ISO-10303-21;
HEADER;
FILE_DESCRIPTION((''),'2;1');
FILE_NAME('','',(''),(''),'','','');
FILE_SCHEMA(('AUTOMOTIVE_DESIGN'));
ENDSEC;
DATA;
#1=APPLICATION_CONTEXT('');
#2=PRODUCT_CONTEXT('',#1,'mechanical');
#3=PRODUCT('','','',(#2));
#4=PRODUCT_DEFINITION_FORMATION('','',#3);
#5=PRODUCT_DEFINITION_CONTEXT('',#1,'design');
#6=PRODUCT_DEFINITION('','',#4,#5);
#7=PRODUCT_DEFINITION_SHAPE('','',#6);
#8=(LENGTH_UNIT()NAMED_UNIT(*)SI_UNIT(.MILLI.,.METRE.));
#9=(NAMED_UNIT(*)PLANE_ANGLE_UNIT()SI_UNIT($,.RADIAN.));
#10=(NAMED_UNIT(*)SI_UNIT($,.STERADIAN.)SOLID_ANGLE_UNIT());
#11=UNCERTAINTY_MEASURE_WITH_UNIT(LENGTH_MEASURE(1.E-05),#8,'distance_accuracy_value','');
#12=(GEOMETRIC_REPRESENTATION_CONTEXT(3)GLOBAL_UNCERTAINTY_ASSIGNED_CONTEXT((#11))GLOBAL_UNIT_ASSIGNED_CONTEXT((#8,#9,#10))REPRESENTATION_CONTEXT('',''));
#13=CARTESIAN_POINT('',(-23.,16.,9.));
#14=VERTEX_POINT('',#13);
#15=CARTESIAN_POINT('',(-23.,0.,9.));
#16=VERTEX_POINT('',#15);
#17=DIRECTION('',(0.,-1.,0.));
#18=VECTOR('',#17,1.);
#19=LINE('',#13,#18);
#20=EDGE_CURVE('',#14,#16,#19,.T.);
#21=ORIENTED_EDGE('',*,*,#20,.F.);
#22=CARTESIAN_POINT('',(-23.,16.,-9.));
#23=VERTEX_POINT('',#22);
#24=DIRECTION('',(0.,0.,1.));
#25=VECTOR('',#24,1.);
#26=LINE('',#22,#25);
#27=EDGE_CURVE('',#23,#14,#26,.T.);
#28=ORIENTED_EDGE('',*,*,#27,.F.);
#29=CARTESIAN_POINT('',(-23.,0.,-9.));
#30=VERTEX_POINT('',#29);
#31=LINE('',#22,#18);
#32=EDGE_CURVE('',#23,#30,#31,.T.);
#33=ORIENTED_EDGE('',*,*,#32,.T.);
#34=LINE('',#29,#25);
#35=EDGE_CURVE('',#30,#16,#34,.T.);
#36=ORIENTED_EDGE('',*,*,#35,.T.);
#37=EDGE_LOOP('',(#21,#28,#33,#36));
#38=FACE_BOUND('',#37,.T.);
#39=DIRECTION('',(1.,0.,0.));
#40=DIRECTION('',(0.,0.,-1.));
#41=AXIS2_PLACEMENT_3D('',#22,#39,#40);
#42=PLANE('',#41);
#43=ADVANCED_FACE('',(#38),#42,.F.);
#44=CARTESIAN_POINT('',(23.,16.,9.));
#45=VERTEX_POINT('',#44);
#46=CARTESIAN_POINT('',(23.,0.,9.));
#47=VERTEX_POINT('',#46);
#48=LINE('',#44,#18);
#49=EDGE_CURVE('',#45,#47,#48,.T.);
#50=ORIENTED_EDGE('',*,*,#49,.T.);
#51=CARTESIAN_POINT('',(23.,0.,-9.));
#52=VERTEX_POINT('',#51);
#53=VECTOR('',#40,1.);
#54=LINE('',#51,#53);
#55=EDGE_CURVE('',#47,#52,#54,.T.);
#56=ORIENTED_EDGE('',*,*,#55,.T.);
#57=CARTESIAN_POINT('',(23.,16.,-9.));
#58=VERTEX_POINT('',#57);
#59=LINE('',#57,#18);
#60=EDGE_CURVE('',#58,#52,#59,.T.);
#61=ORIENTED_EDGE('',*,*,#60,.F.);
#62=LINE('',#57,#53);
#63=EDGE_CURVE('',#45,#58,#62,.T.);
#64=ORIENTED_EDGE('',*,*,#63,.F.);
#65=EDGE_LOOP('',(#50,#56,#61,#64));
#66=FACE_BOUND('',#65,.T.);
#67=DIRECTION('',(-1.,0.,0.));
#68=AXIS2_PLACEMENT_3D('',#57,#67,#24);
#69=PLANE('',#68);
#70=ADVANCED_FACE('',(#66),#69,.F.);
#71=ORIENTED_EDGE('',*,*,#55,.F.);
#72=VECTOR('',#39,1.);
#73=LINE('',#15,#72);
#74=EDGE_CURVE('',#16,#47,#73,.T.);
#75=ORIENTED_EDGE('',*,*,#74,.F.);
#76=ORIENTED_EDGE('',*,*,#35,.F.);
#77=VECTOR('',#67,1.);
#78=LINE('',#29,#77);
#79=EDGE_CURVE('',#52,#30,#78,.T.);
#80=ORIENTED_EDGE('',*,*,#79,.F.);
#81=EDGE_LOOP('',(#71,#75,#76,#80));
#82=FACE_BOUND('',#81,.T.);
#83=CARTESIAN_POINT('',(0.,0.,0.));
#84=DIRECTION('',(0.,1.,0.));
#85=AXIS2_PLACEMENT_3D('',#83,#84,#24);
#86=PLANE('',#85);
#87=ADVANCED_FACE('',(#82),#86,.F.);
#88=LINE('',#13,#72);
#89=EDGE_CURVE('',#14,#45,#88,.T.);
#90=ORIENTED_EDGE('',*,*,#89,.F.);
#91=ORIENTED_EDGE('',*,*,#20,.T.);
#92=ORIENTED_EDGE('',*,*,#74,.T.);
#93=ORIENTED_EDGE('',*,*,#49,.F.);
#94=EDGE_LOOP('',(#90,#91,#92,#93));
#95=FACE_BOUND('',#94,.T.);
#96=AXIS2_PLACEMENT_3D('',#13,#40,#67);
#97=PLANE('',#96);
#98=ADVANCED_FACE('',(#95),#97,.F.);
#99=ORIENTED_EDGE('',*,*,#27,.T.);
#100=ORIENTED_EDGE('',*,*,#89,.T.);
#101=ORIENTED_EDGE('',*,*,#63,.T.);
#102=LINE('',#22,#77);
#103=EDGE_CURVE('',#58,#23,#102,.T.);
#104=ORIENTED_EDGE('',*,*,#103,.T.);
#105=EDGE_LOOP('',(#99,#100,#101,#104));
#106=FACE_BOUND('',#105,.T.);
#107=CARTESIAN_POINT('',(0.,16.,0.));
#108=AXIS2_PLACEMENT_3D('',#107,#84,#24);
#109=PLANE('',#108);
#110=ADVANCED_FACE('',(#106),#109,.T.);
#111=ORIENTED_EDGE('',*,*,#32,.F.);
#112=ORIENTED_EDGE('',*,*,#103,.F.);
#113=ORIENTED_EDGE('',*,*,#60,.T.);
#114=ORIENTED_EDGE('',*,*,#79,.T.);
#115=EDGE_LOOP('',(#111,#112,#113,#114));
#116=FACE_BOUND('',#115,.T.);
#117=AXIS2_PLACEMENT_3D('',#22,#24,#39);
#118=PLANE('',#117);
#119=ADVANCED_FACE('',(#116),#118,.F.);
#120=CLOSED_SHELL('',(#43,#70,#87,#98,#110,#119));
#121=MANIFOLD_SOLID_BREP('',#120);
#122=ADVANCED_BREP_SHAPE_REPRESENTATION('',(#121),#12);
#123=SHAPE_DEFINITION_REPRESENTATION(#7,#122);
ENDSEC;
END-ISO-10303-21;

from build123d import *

# Parameters (mm, degrees)
SKETCH_1_W      = 46
SKETCH_1_H      = 18
EXTRUDE_1_DEPTH = 16


with BuildPart() as part:
    # 草图1 → 凸台-拉伸1 (new body)
    with BuildSketch(Plane(origin=(0, 0, 0), x_dir=(1, 0, 0), z_dir=(0, 1, 0))):
        Rectangle(SKETCH_1_W, SKETCH_1_H)
    extrude(amount=EXTRUDE_1_DEPTH)


solid = part.part
